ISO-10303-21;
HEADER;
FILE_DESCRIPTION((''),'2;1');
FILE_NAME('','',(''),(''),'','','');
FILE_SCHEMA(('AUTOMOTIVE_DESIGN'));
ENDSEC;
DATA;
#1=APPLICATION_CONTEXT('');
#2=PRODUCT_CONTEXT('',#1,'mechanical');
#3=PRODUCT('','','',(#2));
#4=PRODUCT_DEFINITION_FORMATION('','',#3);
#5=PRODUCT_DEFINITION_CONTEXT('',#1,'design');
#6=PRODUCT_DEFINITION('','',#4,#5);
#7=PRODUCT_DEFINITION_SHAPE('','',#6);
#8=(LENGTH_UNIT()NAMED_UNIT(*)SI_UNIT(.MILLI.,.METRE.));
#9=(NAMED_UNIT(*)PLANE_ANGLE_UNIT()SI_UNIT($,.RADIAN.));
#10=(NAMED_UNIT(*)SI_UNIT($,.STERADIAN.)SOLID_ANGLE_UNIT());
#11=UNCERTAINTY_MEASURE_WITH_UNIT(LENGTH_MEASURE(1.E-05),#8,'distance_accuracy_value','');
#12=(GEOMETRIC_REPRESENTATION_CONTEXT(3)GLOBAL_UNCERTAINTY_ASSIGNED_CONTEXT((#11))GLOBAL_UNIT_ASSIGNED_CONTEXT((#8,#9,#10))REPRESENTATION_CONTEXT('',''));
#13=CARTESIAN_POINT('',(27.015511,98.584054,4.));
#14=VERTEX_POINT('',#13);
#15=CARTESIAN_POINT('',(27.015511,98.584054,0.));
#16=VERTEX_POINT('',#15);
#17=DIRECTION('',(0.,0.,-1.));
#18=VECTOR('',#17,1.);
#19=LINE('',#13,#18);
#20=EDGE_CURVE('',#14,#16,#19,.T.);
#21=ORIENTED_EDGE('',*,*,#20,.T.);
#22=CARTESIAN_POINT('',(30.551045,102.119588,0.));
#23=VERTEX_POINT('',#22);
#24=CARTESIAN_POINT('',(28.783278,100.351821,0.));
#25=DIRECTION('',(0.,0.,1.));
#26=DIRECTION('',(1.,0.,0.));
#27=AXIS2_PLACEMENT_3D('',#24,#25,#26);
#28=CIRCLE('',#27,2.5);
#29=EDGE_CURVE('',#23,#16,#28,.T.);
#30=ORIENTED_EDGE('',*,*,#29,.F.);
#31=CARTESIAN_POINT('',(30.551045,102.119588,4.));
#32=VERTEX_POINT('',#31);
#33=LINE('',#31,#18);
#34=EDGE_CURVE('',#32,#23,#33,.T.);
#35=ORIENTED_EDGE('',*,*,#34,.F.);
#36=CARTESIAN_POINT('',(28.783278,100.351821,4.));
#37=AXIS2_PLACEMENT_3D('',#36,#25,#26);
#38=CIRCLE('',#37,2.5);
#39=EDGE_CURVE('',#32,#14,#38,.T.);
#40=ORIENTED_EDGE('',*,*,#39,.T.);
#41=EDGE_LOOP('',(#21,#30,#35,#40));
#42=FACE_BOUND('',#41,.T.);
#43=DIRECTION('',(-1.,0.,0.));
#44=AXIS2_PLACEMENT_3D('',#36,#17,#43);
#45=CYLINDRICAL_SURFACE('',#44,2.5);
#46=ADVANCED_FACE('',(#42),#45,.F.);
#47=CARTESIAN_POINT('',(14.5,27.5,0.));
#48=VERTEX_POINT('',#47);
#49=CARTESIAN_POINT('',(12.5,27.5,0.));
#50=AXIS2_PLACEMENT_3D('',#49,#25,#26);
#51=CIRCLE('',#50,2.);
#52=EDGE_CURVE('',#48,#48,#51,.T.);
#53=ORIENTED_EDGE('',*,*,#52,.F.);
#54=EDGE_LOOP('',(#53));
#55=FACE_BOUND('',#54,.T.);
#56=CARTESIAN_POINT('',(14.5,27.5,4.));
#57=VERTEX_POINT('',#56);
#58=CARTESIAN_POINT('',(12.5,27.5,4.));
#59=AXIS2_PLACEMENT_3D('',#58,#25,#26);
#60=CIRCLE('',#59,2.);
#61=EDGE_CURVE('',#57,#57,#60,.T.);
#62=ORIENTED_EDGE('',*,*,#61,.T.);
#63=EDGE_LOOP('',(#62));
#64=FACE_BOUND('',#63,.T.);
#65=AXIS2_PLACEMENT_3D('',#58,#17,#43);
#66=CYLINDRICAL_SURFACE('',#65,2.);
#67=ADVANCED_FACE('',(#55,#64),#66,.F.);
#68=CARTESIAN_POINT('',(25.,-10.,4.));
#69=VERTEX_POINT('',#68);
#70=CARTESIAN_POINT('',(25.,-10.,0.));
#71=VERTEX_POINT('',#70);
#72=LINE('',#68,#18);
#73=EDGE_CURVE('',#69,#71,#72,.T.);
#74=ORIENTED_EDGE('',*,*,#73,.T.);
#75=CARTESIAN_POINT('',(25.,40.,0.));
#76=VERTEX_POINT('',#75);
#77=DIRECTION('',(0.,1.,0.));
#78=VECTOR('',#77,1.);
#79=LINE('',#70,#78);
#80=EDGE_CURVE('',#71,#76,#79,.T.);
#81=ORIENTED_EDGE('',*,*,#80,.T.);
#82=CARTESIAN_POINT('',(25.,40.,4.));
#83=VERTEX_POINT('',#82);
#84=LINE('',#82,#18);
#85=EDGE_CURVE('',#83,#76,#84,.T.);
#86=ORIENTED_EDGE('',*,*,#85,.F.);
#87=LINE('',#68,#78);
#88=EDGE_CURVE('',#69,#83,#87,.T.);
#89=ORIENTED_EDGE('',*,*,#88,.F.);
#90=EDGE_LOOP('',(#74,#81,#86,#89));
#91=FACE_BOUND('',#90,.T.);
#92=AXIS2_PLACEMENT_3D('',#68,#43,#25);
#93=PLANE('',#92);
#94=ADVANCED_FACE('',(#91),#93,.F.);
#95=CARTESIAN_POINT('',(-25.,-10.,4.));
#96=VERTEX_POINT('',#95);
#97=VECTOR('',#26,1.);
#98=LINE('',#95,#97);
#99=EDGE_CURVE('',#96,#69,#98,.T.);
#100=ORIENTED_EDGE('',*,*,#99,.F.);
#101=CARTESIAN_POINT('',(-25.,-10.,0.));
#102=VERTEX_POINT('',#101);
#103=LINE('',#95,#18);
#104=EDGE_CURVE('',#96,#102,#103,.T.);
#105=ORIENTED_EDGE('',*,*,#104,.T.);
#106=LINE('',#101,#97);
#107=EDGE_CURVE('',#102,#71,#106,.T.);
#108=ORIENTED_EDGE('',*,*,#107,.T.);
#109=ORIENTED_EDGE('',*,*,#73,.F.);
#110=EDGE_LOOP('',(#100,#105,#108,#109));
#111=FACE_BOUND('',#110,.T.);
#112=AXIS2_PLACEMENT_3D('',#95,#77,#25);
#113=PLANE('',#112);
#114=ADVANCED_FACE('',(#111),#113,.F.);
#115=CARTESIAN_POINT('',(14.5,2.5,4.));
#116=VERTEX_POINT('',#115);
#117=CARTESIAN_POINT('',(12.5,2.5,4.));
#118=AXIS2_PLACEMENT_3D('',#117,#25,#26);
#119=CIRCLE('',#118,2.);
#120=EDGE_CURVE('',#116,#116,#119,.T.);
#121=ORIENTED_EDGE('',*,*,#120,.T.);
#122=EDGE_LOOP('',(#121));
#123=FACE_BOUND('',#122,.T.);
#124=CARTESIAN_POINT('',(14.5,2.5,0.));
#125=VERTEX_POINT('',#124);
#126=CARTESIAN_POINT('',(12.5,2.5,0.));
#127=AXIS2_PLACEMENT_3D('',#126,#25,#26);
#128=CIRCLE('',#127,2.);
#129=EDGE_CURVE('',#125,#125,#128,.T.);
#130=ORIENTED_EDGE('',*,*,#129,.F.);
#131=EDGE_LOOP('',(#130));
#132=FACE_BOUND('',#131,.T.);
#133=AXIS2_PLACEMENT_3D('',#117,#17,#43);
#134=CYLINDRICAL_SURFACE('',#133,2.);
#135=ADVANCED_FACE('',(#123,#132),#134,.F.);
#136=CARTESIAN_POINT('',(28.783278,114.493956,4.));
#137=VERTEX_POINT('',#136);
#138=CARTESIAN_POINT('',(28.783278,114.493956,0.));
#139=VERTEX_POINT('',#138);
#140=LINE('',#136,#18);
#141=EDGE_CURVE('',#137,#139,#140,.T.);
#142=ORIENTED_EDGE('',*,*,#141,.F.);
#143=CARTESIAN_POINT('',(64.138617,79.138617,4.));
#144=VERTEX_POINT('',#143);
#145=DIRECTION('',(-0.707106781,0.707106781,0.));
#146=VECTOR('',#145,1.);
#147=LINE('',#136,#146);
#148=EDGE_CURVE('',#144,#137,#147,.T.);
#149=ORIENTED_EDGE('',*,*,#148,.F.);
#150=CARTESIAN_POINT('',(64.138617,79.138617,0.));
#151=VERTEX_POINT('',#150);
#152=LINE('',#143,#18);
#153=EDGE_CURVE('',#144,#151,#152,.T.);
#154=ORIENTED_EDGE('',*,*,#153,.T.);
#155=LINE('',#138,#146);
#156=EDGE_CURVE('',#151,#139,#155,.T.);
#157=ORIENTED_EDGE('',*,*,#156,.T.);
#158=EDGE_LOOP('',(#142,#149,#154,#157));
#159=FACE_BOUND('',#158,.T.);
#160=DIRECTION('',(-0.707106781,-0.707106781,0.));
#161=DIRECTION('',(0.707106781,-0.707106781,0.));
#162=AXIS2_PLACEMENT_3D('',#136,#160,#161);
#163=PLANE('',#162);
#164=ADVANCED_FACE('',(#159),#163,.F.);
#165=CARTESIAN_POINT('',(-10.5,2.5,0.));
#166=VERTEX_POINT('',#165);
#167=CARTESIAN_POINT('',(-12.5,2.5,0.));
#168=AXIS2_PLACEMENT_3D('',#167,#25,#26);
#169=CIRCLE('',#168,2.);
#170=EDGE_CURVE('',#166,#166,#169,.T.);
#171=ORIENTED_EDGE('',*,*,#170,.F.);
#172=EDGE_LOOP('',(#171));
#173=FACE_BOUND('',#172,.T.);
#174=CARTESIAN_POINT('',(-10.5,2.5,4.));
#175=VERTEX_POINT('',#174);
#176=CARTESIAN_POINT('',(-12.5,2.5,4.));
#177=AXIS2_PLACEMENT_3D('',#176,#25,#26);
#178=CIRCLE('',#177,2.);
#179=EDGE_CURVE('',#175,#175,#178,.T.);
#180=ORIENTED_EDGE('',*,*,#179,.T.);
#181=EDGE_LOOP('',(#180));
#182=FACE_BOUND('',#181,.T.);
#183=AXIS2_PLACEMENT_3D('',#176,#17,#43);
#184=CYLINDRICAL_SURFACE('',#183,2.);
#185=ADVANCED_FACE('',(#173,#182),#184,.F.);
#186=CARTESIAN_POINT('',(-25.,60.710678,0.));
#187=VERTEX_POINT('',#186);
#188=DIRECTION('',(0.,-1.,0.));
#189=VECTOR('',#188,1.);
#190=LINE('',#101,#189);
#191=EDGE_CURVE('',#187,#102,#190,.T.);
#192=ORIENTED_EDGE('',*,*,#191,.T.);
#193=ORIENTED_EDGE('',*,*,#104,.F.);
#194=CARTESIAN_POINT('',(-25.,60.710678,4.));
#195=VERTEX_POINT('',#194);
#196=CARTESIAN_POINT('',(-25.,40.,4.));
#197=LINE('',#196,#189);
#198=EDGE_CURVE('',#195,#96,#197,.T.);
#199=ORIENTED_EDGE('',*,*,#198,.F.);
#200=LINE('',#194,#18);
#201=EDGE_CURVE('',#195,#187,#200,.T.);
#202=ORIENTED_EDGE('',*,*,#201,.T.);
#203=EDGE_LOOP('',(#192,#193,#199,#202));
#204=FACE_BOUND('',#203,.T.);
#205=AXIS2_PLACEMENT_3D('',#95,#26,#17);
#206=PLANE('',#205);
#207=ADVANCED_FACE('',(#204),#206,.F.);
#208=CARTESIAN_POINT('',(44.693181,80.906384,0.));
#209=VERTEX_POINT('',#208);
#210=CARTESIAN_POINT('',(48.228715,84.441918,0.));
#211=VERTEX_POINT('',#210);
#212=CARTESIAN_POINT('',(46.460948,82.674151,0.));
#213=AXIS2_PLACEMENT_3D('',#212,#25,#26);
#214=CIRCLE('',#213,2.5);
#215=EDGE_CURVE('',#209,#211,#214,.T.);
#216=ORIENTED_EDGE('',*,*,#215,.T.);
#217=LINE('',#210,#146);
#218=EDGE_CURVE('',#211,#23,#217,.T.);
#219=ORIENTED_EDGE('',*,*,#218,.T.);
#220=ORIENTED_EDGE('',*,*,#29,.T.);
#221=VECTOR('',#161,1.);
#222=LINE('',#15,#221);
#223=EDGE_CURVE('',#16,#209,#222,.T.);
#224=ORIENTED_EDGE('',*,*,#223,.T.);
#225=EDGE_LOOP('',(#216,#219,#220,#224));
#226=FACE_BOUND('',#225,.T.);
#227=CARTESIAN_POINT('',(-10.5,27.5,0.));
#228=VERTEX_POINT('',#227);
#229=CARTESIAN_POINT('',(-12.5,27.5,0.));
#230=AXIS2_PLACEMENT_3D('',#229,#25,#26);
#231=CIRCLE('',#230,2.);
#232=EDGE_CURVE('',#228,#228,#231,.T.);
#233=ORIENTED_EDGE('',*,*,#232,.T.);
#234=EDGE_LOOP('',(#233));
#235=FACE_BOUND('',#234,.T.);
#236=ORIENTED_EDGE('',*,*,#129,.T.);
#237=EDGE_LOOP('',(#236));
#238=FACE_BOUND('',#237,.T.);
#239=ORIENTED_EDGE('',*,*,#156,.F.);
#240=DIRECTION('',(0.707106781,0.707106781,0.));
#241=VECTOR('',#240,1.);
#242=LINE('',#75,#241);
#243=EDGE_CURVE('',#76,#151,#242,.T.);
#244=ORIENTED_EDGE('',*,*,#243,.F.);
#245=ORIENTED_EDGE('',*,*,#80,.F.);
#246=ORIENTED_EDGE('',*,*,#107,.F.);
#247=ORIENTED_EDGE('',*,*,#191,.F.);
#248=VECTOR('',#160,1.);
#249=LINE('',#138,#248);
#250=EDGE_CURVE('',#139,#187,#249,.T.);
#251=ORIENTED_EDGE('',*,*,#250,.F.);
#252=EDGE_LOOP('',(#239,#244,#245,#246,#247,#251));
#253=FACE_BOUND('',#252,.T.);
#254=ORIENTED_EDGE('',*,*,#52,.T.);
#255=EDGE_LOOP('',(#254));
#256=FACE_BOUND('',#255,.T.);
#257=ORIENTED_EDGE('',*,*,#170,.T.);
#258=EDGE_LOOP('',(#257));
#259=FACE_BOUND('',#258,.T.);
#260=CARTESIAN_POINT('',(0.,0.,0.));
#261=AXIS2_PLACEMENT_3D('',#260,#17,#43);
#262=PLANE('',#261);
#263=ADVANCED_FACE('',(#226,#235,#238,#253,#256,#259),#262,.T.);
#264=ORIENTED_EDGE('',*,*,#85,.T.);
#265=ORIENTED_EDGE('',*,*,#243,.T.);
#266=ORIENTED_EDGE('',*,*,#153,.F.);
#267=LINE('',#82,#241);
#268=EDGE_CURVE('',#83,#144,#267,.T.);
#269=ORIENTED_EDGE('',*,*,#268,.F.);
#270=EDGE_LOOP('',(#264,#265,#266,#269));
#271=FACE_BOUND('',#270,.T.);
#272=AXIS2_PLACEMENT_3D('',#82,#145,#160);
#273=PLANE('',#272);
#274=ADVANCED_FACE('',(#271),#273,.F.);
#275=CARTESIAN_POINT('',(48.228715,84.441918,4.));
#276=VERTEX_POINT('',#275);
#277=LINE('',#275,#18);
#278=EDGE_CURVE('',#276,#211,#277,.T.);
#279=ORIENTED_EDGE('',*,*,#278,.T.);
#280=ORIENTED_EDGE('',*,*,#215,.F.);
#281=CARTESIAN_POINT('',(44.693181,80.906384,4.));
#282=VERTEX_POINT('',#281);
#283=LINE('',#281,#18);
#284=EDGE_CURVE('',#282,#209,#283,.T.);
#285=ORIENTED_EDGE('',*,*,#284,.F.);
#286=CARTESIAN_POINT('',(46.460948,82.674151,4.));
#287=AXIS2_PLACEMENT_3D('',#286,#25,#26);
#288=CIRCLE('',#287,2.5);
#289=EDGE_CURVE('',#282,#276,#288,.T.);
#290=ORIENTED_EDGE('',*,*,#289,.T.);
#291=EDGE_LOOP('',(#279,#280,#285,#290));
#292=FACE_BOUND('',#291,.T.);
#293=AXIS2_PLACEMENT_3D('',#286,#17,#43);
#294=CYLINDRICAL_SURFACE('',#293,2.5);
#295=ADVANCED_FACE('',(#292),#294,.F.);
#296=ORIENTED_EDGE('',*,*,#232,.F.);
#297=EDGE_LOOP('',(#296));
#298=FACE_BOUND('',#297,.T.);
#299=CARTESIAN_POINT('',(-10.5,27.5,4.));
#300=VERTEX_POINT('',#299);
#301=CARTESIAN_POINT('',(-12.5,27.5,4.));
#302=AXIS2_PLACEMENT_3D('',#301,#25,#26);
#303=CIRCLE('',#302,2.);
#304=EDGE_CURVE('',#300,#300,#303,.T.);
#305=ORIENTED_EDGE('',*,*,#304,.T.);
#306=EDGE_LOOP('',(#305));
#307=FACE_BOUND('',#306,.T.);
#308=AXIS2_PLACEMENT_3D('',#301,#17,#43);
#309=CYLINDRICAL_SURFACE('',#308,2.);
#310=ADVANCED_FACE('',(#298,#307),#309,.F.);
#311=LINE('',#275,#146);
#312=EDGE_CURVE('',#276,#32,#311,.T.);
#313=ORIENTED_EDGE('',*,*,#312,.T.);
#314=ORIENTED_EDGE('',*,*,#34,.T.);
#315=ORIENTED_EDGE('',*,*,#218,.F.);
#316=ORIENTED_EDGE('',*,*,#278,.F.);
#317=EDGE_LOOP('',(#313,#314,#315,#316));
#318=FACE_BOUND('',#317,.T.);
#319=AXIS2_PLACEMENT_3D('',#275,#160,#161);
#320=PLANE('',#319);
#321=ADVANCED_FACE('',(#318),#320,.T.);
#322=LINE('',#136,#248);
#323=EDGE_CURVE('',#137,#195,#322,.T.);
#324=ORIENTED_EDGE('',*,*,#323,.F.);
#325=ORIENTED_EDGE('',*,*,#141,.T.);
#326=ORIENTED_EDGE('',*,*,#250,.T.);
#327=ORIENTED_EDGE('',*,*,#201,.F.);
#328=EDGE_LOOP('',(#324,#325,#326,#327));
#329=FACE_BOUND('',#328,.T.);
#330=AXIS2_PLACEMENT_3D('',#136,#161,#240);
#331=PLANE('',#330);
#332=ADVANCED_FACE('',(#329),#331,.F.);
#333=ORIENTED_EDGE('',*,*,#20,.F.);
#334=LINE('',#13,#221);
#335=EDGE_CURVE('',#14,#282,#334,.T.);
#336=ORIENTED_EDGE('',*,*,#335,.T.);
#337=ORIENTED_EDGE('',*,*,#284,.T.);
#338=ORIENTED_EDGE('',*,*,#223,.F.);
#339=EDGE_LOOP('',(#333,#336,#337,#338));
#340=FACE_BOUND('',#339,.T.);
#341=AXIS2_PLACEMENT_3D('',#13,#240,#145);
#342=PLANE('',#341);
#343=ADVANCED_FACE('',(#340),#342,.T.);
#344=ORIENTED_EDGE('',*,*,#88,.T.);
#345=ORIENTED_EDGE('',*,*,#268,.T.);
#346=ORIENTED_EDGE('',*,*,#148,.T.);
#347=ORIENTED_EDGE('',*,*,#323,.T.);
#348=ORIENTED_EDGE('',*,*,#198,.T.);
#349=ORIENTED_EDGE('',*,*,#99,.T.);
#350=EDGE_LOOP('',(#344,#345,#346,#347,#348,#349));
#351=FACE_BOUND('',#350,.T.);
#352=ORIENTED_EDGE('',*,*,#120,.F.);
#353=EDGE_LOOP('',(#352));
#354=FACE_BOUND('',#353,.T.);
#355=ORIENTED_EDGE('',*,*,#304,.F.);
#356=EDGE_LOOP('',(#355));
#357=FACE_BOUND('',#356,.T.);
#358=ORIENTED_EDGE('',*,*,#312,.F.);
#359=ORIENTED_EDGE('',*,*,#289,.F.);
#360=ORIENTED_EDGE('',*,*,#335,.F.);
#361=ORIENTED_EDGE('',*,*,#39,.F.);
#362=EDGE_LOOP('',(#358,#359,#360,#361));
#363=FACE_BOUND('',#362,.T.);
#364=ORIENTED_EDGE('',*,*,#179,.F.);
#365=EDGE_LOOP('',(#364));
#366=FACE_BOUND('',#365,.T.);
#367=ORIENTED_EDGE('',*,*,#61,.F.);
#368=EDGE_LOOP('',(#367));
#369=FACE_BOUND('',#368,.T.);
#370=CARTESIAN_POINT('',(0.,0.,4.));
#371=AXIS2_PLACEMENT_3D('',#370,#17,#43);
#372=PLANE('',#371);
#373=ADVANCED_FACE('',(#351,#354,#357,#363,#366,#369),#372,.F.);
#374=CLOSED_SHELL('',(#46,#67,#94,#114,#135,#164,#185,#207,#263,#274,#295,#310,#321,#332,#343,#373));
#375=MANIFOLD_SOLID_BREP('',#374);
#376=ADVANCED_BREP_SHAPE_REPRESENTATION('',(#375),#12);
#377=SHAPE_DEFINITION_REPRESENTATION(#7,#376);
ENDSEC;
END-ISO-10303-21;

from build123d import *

# Parameters (mm, degrees)
SKETCH1_R           = 2
BOSS_EXTRUDE1_DEPTH = 4


with BuildPart() as part:
    # Sketch1 → Boss-Extrude1 (new body)
    with BuildSketch(Plane.XY):
        Polygon((28.783278196, 114.493956315), (64.138617256, 79.138617256), (25, 40), (25, -10), (-25, -10), (-25, 40), (-25, 60.710678119), align=None)
        with Locations((-12.5, 27.5)):
            Circle(SKETCH1_R, mode=Mode.SUBTRACT)
        with Locations((12.5, 27.5)):
            Circle(SKETCH1_R, mode=Mode.SUBTRACT)
        with Locations((12.5, 2.5)):
            Circle(SKETCH1_R, mode=Mode.SUBTRACT)
        with Locations((-12.5, 2.5)):
            Circle(SKETCH1_R, mode=Mode.SUBTRACT)
        with BuildLine():
            Line((48.228714679, 84.441918115), (30.551045149, 102.119587644))
            ThreePointArc((30.551045149, 102.119587644), (27.015511244, 102.119587644), (27.015511244, 98.584053738))
            Line((27.015511244, 98.584053738), (44.693180773, 80.906384209))
            ThreePointArc((44.693180773, 80.906384209), (48.228714679, 80.906384209), (48.228714679, 84.441918115))
        make_face(mode=Mode.SUBTRACT)
    extrude(amount=BOSS_EXTRUDE1_DEPTH)


solid = part.part
